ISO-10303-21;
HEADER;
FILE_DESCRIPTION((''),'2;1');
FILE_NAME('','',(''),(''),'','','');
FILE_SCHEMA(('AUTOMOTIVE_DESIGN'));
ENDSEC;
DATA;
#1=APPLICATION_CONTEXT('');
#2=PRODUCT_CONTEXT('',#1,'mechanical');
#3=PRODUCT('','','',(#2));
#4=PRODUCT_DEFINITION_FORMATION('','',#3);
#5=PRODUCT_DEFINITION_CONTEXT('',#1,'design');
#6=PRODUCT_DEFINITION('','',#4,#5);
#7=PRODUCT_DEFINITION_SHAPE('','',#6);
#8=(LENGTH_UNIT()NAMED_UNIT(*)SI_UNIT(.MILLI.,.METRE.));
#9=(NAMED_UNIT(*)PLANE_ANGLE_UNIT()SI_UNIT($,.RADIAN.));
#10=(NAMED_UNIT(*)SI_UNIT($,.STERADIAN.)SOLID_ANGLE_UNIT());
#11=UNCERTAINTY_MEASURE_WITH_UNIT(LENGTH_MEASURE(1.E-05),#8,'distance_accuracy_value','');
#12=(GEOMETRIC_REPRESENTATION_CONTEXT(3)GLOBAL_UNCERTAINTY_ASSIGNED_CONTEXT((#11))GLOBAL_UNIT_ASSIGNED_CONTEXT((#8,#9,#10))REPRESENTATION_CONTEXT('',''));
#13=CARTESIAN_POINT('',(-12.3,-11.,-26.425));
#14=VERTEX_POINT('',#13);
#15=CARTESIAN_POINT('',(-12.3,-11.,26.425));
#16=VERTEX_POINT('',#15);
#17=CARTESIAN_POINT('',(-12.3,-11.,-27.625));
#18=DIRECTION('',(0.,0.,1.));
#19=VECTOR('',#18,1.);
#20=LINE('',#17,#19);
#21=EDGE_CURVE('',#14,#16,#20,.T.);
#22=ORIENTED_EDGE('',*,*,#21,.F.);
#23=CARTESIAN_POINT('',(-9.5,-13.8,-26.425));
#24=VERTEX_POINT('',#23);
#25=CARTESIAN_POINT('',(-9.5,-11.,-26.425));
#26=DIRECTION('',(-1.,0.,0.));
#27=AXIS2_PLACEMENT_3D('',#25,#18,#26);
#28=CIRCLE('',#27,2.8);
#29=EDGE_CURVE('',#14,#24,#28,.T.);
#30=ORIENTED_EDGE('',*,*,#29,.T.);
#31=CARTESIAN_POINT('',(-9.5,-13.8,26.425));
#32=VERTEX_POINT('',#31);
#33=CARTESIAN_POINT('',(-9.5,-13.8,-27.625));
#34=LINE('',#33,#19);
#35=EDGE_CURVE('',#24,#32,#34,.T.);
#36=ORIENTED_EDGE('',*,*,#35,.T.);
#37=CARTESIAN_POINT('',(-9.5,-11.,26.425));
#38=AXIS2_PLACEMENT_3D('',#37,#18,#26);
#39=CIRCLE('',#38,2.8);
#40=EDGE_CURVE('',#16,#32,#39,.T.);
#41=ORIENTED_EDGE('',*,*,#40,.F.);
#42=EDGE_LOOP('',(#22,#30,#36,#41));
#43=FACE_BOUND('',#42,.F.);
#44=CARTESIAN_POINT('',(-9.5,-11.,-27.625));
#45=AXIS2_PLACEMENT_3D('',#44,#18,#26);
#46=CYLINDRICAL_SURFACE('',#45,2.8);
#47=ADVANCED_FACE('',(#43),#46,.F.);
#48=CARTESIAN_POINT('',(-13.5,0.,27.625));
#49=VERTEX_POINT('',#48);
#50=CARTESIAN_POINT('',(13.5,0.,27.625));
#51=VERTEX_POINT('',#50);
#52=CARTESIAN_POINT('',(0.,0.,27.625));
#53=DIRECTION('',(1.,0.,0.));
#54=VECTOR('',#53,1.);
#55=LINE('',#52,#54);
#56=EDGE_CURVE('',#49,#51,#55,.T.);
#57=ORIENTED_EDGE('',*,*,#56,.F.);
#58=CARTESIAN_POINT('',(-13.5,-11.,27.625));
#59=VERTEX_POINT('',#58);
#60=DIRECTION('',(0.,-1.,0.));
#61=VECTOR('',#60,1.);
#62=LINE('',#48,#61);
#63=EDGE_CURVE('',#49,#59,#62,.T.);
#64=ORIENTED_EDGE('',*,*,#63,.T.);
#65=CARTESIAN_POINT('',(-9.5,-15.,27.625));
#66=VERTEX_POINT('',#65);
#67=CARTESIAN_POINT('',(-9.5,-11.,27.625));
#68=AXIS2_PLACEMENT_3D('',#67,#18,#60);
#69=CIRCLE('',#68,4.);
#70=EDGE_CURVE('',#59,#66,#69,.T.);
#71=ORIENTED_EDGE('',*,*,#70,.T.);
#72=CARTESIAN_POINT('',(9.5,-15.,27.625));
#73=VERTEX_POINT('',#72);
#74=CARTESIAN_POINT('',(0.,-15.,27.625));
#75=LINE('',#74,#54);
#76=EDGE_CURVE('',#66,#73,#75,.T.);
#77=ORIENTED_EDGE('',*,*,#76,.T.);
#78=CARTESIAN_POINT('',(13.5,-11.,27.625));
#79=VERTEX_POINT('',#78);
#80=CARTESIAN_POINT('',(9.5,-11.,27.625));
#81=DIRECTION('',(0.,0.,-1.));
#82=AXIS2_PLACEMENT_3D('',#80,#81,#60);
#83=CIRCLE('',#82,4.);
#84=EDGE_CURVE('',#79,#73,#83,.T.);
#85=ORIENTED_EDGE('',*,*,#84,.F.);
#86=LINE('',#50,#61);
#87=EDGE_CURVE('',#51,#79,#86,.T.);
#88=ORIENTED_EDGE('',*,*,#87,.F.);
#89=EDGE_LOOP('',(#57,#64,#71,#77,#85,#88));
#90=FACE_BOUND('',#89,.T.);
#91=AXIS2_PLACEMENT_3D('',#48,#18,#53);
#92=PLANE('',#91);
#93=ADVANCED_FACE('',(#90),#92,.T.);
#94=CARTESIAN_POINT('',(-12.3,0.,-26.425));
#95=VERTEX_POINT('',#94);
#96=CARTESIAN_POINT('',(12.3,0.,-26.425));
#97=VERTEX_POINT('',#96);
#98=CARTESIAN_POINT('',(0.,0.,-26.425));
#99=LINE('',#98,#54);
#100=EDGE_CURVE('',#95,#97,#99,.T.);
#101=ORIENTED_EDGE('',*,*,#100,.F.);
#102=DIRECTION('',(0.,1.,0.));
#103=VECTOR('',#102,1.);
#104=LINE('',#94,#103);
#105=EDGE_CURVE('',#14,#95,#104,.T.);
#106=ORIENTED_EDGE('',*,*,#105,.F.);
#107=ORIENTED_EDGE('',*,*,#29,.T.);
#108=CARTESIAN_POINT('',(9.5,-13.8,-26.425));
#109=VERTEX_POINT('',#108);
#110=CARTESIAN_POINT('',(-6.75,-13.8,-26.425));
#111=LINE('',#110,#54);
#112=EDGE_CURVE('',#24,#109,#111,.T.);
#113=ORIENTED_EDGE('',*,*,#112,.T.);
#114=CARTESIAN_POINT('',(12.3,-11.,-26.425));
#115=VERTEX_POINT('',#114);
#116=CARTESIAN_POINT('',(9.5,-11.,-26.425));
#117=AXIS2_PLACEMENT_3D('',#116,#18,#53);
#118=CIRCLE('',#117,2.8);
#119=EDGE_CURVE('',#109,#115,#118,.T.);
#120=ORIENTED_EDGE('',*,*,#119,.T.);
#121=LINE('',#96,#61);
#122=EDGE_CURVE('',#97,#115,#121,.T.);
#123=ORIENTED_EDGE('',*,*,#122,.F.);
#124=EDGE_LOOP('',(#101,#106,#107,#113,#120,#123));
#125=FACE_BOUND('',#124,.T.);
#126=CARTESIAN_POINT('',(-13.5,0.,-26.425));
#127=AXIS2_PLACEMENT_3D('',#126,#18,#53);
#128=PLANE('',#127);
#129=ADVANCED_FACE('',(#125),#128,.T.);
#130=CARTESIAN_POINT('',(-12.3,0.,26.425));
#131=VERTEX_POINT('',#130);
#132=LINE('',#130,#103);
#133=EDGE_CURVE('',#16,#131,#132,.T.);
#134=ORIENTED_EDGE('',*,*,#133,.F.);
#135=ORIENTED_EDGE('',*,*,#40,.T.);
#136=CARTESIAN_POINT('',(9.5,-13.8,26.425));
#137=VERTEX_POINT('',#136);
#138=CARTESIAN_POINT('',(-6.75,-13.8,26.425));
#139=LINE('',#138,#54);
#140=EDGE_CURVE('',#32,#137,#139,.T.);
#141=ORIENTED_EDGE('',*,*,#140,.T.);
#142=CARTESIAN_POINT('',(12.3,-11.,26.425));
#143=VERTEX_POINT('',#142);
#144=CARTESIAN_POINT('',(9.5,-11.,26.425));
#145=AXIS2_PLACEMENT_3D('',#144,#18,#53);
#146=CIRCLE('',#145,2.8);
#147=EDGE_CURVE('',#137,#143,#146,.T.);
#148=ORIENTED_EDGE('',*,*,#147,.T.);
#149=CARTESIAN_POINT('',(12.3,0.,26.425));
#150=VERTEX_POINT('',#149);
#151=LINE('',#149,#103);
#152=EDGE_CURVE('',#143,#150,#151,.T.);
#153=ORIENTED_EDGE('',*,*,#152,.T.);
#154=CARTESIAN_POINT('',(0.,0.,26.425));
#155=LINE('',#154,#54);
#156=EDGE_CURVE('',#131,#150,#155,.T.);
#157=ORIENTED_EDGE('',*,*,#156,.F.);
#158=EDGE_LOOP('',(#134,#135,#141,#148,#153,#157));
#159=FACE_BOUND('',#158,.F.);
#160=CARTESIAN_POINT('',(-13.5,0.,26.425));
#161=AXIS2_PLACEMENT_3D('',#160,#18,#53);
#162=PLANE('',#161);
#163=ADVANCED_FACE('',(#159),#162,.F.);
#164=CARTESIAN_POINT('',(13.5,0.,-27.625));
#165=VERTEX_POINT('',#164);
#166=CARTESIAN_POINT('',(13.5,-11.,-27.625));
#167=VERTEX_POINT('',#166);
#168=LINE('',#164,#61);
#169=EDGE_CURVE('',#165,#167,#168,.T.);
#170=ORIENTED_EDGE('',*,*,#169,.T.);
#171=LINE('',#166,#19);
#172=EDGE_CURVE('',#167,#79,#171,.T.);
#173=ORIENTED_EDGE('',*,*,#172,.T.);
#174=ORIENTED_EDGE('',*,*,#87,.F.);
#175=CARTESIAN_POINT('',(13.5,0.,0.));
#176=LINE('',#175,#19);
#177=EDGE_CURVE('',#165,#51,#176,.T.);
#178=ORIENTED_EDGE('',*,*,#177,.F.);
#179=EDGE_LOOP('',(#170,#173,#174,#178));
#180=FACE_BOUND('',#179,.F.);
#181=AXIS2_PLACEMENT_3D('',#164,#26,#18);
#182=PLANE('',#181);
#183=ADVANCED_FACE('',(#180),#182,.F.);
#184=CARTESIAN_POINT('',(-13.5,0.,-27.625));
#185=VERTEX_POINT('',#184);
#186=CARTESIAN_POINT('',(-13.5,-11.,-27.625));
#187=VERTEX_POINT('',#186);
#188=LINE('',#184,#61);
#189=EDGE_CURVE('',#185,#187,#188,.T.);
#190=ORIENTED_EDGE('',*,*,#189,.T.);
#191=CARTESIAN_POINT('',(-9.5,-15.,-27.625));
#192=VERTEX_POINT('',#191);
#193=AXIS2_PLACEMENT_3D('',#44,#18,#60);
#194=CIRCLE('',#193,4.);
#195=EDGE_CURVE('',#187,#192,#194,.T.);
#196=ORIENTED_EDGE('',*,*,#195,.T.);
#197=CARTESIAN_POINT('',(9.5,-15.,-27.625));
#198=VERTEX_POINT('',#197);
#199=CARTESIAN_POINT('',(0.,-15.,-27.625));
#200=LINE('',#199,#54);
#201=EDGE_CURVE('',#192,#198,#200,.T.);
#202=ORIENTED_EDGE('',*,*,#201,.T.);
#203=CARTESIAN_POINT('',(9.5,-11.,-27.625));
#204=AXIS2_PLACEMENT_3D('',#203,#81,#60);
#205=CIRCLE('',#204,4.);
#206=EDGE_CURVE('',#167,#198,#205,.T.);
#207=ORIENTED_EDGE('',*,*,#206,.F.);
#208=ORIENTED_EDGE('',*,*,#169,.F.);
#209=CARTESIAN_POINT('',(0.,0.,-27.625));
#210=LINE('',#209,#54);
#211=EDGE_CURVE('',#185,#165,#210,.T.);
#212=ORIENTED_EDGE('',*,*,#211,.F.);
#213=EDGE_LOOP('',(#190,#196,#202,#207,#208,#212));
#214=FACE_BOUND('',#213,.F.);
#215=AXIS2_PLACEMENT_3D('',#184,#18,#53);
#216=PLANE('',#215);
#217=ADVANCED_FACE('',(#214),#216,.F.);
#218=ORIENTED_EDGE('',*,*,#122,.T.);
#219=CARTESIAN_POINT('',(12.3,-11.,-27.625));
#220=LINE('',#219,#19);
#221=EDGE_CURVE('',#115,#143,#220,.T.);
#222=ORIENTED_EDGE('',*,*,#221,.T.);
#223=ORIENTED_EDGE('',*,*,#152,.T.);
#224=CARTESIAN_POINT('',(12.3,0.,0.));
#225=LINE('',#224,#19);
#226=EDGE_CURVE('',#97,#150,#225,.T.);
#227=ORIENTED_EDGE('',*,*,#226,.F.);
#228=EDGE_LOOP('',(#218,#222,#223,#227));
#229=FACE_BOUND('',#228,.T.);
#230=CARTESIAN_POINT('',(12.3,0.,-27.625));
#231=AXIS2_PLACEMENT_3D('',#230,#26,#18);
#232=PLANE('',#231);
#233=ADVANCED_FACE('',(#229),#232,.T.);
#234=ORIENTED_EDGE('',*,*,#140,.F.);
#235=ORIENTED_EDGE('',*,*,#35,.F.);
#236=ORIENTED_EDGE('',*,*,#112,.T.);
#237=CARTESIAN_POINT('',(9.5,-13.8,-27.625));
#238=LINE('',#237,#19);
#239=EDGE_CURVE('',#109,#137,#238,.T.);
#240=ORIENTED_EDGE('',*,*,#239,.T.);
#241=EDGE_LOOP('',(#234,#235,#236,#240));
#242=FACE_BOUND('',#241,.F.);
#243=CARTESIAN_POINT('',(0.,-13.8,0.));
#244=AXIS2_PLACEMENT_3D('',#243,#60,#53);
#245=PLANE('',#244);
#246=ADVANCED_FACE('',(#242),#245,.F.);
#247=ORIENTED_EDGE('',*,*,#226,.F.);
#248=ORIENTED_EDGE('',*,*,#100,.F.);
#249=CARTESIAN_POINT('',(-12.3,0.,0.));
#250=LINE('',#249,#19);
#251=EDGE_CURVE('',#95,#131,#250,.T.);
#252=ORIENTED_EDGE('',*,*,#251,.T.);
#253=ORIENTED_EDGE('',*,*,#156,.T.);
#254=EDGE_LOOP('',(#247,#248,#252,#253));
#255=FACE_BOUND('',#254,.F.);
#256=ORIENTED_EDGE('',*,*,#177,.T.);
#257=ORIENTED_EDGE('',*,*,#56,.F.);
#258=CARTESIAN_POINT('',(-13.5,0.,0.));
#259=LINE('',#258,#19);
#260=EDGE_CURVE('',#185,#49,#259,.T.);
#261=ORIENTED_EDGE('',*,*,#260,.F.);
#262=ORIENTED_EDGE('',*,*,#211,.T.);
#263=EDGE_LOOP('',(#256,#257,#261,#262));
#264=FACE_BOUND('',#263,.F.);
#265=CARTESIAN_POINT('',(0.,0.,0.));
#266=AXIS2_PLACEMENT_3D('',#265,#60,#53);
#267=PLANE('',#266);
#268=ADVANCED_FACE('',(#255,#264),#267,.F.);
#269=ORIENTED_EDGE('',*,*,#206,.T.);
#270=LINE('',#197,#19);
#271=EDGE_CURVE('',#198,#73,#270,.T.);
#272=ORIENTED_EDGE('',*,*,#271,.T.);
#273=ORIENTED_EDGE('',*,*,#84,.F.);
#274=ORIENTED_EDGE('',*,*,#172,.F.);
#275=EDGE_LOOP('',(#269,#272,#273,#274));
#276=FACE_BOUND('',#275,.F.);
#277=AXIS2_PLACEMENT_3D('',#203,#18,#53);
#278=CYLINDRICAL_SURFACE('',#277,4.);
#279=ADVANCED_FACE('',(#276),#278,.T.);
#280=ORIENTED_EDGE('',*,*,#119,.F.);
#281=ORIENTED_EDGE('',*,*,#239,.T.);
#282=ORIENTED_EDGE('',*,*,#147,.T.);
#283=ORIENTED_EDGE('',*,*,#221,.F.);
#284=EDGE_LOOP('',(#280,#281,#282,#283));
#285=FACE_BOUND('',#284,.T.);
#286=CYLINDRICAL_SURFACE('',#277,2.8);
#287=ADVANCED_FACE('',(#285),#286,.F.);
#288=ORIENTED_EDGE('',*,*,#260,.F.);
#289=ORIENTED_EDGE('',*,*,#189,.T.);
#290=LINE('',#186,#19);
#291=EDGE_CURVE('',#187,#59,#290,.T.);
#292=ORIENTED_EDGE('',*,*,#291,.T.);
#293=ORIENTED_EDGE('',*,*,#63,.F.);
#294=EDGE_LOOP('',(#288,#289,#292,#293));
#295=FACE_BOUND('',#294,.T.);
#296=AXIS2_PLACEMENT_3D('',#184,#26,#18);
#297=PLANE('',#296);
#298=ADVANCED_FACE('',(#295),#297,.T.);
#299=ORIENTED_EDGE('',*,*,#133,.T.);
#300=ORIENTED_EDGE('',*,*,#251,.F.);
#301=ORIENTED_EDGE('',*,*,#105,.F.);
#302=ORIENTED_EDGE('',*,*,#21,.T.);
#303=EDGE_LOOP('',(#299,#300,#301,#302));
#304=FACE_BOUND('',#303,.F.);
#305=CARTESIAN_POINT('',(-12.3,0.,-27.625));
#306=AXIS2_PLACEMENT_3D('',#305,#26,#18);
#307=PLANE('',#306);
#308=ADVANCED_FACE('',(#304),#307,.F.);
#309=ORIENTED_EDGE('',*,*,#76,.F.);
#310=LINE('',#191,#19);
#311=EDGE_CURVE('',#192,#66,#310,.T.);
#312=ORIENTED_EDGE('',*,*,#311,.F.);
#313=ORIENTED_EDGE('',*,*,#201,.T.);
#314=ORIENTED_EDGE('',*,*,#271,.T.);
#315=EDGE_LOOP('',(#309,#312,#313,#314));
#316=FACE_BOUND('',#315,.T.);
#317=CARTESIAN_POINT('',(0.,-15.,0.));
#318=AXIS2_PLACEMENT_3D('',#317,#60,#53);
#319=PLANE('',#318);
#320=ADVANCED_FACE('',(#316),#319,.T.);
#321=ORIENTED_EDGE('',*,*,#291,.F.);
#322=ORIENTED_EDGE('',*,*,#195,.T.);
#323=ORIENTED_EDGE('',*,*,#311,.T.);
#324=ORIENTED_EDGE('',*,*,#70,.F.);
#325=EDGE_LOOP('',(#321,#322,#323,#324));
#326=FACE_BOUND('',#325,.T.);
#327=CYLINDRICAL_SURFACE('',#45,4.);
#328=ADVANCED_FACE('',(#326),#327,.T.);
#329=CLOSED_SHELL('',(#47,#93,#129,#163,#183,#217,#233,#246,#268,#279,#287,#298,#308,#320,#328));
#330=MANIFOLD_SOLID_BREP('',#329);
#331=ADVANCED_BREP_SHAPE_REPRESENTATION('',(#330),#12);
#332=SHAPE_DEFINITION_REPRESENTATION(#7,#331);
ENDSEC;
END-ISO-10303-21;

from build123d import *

# Parameters (mm, degrees)
F0_W     = 27
F0_H     = 55.25
F1_DEPTH = 15
F2_R     = 4
F3_T     = -1.2


with BuildPart() as f1:
    # F0 (on Front) → F1 (new body)
    with BuildSketch(Plane.XZ):
        Rectangle(F0_W, F0_H)
    extrude(amount=F1_DEPTH)

    # F2
    f2_edges = [f1.edges().sort_by_distance(p)[0] for p in [
        (13.5, -15, 0),
        (-13.5, -15, 0),
    ]]
    fillet(f2_edges, radius=F2_R)

    # F3
    f3_openings = [f1.faces().sort_by_distance(p)[0] for p in [
        (0, 0, 0),
    ]]
    offset(amount=F3_T, openings=f3_openings)


solid = f1.part
